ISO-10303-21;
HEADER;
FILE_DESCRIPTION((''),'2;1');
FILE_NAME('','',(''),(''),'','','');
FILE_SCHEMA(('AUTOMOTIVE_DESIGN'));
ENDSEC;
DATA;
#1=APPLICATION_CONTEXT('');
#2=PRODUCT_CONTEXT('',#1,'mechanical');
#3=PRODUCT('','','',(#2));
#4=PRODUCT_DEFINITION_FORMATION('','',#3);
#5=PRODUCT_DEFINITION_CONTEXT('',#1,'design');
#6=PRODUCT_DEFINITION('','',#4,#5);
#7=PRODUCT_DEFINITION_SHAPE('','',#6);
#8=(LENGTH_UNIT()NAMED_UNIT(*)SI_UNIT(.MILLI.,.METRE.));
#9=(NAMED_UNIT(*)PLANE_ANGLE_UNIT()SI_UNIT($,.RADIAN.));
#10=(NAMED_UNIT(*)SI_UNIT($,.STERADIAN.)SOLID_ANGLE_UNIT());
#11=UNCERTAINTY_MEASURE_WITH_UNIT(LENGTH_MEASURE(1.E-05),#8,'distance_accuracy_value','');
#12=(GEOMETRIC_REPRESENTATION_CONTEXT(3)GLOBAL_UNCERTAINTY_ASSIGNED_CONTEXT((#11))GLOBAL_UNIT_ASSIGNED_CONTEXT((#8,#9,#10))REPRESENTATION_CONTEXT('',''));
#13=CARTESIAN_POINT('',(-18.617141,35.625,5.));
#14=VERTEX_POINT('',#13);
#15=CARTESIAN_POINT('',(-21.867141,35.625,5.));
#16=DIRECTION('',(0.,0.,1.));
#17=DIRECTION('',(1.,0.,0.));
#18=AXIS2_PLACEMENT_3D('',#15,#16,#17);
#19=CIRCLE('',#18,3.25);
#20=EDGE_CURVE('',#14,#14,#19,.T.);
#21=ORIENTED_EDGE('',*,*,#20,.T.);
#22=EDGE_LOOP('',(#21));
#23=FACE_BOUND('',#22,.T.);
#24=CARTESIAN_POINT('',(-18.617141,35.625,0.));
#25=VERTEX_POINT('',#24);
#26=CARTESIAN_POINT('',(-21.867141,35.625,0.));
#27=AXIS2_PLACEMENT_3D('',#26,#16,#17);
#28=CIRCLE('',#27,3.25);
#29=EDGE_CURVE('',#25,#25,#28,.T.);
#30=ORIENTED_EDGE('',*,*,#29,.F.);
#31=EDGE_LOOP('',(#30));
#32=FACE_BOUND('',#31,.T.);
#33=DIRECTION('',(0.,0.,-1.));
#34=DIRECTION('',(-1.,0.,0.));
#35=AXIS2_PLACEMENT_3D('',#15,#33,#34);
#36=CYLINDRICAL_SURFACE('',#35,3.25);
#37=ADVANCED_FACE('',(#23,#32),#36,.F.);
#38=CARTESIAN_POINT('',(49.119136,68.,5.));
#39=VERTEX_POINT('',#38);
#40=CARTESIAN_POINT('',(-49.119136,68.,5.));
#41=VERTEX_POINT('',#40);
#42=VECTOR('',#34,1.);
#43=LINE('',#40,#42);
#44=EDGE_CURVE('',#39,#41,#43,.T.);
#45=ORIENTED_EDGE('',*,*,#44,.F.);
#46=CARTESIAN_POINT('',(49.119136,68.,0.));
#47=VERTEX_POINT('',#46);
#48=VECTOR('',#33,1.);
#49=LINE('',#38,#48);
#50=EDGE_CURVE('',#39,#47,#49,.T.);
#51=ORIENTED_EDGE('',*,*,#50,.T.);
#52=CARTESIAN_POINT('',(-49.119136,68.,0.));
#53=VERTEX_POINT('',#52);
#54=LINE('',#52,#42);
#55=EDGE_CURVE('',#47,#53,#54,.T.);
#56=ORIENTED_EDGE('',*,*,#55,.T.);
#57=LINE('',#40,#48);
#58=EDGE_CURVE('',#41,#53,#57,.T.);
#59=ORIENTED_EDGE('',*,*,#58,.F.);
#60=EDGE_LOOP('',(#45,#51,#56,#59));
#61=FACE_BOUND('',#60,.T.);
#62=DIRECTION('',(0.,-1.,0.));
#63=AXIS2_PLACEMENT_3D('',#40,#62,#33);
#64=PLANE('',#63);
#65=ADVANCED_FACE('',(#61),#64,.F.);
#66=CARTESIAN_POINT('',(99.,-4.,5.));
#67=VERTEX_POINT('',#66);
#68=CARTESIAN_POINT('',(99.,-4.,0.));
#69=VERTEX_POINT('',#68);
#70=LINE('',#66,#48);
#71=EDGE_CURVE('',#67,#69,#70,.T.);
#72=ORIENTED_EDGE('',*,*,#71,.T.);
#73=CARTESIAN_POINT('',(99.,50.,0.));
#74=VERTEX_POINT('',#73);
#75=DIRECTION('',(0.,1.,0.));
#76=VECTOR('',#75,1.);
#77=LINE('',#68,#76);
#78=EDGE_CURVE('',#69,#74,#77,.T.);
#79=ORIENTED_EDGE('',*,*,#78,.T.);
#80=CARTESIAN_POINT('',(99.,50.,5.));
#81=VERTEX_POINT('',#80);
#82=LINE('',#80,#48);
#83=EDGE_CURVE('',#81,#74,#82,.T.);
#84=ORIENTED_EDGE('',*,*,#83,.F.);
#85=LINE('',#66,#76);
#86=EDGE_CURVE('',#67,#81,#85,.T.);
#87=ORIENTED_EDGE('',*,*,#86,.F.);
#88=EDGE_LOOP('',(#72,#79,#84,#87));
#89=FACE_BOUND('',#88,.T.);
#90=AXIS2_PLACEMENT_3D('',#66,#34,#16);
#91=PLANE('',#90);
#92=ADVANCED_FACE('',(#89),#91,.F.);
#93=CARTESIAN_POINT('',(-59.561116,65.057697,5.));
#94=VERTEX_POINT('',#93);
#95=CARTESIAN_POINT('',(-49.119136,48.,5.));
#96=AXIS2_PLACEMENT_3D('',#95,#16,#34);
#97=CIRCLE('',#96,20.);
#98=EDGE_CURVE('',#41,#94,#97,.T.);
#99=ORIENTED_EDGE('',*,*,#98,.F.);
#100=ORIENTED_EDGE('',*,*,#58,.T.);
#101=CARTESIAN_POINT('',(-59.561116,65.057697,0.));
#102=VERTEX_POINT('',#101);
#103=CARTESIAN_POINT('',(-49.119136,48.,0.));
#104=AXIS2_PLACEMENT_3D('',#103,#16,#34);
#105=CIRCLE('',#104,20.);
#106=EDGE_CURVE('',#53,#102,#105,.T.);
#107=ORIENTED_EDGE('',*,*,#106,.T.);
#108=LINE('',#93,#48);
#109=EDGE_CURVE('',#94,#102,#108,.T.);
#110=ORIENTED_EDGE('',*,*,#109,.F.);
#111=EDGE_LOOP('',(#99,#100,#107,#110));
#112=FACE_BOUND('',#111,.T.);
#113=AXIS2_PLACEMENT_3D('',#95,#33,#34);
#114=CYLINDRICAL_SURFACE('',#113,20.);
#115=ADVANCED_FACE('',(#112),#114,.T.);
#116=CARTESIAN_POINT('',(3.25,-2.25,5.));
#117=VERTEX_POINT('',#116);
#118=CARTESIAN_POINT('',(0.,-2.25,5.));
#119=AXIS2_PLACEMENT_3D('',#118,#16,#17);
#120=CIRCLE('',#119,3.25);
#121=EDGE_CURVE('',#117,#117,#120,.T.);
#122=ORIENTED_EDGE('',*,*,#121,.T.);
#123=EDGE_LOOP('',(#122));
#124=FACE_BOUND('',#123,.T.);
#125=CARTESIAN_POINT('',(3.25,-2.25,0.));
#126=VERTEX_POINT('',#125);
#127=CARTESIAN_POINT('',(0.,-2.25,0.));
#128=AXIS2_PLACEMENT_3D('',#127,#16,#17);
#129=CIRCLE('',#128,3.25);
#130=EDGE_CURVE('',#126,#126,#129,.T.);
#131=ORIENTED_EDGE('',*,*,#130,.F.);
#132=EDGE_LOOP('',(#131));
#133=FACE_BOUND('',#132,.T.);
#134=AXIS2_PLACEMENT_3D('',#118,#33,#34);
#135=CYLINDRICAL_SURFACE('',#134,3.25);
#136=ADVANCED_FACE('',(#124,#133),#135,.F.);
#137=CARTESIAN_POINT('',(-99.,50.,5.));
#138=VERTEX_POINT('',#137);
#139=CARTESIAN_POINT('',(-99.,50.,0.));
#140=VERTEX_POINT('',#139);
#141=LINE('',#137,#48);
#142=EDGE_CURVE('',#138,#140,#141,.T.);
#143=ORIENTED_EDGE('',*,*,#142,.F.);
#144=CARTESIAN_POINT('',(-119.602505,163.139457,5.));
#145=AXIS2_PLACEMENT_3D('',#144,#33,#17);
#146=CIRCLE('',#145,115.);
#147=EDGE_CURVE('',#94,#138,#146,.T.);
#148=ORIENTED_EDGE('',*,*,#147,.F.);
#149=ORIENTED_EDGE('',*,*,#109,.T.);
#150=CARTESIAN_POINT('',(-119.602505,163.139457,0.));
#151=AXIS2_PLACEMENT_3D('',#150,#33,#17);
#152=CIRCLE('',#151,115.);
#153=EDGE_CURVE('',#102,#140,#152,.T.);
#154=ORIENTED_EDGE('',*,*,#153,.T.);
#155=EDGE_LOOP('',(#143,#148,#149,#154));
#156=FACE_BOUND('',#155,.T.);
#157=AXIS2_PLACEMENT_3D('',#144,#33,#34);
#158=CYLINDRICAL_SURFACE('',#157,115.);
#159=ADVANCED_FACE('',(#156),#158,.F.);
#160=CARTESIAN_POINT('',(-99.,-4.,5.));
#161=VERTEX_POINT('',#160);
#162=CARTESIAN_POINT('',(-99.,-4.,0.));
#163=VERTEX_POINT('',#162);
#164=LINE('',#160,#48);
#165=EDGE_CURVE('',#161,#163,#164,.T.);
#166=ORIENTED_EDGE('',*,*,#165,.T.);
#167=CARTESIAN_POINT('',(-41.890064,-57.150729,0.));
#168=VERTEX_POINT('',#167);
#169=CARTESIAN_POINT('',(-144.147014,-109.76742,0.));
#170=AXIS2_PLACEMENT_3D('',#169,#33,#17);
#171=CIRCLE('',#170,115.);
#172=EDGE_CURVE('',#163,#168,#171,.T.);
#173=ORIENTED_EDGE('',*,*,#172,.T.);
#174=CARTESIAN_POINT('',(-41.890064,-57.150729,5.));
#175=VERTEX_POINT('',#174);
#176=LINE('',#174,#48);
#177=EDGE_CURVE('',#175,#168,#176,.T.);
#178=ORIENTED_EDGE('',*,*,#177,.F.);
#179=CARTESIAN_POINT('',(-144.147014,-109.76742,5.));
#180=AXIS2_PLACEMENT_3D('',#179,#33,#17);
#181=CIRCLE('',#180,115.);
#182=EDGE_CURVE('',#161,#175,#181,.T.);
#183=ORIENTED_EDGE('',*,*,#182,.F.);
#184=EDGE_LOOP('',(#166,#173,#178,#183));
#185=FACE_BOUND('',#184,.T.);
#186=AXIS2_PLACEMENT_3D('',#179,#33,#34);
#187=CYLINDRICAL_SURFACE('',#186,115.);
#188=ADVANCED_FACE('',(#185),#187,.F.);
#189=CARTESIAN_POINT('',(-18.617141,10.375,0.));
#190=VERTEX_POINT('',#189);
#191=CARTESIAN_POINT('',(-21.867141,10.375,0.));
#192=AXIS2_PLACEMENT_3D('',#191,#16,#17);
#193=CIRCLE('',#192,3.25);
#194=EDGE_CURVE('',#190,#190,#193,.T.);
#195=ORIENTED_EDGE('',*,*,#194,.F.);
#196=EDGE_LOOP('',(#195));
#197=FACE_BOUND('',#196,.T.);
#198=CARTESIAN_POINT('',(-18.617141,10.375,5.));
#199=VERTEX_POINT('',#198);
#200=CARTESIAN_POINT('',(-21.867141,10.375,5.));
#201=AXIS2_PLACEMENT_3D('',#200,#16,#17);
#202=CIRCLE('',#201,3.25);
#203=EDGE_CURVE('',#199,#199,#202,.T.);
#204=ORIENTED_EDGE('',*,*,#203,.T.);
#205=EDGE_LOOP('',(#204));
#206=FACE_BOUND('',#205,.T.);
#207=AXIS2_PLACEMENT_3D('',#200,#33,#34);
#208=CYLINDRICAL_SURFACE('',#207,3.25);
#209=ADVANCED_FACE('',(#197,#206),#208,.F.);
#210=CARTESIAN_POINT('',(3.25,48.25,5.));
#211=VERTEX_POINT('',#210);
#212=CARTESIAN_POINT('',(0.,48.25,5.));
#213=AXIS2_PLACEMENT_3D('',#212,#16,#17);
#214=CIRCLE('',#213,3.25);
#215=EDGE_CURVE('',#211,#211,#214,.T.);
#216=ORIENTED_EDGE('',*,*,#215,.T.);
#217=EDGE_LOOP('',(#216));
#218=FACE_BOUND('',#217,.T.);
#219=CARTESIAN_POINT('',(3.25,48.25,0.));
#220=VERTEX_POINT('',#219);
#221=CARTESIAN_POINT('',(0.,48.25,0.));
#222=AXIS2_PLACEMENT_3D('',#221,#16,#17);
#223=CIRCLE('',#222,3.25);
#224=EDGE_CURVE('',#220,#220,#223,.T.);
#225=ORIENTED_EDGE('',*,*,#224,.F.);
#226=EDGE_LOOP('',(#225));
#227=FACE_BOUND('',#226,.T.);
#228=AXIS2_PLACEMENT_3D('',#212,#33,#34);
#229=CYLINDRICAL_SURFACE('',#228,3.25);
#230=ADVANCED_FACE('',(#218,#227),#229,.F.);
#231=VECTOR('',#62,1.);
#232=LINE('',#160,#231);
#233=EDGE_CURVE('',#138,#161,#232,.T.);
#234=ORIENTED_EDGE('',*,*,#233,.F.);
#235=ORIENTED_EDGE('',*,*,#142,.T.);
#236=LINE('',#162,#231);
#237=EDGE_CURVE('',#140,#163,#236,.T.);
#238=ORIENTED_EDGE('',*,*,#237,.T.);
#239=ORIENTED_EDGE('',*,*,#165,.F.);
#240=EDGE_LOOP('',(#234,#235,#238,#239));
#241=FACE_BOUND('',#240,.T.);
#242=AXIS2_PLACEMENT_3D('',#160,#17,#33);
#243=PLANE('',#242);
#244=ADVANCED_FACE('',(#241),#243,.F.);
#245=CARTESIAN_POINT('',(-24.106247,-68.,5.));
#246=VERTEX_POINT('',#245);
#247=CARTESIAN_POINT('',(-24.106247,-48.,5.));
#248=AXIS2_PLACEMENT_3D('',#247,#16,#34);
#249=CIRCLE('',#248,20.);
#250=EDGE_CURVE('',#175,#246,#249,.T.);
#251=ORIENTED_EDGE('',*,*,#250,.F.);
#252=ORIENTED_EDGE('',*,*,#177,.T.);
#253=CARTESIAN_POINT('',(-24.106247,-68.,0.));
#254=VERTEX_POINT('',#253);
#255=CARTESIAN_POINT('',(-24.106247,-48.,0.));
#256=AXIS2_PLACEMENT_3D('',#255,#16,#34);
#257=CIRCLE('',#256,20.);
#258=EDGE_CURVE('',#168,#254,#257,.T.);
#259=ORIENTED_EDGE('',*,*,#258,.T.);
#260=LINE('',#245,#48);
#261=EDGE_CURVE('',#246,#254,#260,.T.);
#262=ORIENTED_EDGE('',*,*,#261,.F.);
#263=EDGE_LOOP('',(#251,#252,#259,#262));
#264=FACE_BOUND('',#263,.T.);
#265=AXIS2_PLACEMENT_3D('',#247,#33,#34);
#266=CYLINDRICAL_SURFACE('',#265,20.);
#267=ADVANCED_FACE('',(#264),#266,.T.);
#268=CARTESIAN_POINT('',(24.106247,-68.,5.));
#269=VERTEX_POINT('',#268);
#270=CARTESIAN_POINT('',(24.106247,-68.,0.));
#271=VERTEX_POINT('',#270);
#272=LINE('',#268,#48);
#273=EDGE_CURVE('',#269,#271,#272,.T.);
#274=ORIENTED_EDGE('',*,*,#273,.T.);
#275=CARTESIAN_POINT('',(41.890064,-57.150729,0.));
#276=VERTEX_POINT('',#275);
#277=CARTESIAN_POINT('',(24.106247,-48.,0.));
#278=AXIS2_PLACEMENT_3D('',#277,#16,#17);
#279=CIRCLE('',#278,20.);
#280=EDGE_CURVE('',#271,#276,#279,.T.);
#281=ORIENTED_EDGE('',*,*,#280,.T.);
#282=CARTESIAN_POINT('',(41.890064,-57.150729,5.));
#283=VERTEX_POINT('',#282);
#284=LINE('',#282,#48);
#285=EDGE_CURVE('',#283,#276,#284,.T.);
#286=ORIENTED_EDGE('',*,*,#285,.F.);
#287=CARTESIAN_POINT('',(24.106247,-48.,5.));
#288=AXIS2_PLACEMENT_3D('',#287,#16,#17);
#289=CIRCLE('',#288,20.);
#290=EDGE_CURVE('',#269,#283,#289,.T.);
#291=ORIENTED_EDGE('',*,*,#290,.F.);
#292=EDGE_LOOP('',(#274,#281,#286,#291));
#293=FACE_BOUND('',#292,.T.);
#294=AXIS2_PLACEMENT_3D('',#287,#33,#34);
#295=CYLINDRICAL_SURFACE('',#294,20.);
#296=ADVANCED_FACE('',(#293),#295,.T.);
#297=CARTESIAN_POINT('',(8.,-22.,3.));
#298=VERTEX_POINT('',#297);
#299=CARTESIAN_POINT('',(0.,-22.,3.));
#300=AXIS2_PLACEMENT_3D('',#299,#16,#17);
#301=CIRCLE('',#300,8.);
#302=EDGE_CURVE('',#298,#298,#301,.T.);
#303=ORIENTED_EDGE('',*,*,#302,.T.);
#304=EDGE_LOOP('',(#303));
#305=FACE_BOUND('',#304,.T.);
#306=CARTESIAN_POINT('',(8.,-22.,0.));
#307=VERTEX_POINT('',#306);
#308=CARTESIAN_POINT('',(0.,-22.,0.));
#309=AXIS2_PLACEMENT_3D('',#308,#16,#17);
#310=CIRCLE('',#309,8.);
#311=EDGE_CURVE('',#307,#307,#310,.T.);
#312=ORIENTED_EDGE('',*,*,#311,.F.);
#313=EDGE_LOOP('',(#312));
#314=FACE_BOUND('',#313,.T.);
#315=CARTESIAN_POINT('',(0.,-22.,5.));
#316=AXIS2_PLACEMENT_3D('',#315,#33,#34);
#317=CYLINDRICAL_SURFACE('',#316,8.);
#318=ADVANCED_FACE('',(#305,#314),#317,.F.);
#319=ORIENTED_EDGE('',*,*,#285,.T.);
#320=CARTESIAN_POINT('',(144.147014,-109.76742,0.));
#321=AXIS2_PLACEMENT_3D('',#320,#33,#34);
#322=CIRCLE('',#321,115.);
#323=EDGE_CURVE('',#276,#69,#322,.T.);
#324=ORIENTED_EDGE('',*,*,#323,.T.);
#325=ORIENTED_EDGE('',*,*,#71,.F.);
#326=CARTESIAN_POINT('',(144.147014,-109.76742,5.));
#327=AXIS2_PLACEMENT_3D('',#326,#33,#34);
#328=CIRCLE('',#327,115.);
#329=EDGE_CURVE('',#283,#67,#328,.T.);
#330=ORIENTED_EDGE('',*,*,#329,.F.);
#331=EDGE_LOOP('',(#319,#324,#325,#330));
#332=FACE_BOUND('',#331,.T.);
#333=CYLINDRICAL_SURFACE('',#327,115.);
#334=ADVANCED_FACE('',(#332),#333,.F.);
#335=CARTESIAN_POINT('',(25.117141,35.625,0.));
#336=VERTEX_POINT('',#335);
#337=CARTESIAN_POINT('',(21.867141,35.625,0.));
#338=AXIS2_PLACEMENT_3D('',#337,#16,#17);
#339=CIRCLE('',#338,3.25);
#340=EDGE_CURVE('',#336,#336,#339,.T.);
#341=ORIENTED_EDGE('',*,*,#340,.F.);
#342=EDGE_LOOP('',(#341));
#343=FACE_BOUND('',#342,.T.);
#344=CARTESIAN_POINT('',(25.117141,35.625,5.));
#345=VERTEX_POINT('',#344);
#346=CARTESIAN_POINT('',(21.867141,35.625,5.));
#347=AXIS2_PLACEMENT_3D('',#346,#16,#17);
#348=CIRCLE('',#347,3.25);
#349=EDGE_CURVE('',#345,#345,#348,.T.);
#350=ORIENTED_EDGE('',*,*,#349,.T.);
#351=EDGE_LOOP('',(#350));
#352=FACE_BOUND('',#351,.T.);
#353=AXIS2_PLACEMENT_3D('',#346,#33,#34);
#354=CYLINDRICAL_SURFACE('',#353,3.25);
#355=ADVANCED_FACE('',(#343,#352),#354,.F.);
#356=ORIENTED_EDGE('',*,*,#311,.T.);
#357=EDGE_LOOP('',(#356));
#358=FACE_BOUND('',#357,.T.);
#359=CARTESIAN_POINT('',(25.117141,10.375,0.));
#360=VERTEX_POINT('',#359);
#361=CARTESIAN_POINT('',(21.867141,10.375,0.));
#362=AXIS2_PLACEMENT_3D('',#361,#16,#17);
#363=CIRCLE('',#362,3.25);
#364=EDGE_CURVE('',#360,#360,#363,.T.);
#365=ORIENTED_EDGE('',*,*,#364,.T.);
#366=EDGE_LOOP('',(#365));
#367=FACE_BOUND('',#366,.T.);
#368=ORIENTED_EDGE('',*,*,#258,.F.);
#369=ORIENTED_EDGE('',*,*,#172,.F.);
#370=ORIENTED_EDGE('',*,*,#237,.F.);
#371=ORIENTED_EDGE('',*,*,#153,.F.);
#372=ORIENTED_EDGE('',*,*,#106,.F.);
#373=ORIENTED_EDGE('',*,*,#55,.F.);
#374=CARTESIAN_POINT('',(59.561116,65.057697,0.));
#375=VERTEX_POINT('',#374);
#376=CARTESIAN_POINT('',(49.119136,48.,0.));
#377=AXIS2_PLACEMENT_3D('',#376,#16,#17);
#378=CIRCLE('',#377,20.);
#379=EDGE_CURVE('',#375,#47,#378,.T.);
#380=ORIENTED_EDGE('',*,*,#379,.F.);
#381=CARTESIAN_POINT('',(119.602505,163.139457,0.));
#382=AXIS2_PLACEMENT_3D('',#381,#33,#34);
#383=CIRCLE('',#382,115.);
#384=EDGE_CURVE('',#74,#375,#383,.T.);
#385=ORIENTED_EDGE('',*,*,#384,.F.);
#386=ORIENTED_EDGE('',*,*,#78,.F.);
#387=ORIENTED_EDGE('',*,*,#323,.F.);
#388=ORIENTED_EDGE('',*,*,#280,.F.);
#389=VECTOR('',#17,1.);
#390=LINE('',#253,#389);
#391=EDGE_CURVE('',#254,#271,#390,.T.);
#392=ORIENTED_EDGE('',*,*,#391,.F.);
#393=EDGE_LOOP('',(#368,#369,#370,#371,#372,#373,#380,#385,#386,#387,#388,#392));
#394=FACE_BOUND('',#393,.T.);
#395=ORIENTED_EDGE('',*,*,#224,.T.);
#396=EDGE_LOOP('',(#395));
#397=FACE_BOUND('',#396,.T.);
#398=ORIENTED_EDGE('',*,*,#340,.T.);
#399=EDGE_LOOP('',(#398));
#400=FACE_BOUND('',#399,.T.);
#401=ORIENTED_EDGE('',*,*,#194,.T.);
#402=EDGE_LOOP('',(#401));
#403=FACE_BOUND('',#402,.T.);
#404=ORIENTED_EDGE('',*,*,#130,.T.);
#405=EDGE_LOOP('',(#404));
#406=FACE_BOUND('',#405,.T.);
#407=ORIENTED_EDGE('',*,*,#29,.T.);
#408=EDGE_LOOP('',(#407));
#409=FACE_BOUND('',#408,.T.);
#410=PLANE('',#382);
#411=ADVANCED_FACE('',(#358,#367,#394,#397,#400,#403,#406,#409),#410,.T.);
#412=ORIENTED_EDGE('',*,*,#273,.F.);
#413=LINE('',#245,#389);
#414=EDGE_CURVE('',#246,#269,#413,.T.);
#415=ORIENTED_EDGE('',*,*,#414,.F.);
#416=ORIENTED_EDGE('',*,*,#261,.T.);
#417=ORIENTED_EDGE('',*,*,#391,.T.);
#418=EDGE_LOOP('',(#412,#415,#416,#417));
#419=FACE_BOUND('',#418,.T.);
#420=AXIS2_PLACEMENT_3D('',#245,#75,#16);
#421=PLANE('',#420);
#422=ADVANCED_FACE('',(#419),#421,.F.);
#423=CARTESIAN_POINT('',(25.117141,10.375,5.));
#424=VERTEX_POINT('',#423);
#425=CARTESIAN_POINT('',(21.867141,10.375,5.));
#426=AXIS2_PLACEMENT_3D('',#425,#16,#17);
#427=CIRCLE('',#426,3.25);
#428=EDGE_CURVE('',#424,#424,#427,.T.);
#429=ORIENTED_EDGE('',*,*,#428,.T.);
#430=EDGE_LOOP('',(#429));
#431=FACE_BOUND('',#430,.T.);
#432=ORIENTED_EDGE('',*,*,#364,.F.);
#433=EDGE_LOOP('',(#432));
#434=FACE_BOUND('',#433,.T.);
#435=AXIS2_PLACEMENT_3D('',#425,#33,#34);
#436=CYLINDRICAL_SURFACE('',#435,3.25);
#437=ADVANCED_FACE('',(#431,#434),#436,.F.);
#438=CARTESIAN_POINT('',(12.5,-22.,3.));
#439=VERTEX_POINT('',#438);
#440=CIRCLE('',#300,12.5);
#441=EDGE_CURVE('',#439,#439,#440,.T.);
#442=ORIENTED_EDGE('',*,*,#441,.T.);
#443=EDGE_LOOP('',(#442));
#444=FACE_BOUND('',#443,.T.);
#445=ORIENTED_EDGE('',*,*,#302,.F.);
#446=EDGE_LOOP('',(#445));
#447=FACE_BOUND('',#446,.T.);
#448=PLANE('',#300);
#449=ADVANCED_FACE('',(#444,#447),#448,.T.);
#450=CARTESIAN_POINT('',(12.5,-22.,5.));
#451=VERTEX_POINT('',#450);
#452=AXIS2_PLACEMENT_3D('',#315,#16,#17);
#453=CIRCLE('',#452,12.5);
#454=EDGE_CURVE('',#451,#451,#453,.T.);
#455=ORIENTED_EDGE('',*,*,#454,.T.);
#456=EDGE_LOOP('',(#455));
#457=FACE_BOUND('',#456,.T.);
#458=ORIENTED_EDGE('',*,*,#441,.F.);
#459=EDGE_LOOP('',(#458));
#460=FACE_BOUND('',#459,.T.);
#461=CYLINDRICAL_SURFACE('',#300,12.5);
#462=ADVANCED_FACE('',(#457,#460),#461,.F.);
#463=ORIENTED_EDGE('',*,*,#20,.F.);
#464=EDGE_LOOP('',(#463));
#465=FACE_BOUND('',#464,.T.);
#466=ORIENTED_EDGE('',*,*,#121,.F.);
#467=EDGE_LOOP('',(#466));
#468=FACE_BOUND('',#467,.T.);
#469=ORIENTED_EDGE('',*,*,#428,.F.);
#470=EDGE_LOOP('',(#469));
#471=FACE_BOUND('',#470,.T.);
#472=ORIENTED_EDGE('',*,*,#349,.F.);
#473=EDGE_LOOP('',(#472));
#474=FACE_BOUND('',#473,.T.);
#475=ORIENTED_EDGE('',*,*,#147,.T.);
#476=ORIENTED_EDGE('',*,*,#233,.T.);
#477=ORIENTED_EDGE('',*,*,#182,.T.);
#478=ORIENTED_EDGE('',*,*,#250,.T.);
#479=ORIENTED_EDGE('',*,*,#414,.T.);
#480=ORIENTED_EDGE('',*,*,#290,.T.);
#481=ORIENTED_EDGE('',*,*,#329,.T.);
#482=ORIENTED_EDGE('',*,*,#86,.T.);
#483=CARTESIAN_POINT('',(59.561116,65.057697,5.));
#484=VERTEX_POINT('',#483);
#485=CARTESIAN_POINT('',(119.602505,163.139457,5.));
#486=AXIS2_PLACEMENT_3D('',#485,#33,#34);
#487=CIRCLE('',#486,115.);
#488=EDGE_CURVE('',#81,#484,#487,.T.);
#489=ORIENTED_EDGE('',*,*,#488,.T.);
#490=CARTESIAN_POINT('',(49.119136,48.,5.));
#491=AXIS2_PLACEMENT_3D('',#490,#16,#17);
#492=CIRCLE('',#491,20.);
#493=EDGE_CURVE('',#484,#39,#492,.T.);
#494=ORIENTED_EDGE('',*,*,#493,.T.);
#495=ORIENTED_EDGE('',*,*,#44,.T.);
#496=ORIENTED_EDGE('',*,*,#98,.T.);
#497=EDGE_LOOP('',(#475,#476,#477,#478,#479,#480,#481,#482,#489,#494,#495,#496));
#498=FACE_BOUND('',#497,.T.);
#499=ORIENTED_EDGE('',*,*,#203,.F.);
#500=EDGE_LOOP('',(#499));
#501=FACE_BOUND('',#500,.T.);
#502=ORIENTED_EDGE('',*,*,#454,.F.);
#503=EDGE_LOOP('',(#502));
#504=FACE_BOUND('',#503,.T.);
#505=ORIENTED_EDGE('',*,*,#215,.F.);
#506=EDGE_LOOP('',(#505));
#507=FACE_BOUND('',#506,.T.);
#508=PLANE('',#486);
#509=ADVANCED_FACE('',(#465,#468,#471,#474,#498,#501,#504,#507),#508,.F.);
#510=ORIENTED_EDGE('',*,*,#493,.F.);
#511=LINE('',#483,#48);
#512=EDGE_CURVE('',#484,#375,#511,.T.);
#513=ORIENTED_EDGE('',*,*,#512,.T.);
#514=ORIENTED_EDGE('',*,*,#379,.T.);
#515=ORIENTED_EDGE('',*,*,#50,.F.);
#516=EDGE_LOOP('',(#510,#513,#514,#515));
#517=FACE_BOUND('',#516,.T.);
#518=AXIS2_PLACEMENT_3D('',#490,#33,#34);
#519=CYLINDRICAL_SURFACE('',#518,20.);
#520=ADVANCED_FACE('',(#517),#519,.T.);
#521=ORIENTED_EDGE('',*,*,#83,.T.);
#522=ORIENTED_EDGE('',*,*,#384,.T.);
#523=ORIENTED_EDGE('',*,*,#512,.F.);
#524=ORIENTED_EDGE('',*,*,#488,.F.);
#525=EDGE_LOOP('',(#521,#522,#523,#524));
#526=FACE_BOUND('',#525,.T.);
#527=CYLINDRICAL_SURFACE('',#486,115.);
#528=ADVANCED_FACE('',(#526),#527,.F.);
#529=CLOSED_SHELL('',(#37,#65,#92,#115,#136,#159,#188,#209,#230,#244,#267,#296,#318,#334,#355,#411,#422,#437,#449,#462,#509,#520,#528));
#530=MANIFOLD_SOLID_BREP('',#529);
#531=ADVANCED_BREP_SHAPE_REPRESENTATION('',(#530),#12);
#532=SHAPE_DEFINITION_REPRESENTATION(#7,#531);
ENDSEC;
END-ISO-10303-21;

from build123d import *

# Parameters (mm, degrees)
ESBO_O1_R                = 3.25
ESBO_O1_R_2              = 8
RESSALTO_EXTRUS_O1_DEPTH = 5
ESBO_O2_R                = 12.5
ESBO_O2_R_2              = 8
CORTE_EXTRUS_O1_DEPTH    = 2


with BuildPart() as part:
    # Esboço1 → Ressalto-extrusão1 (new body)
    with BuildSketch(Plane.XY):
        with BuildLine():
            Line((-49.119135606, 68), (49.119135606, 68))
            ThreePointArc((49.119135606, 68), (54.543435225, 67.250375935), (59.56111629, 65.057697365))
            ThreePointArc((59.56111629, 65.057697365), (78.583692726, 55.703629757), (99, 50))
            Line((99, 50), (99, -4))
            ThreePointArc((99, -4), (65.800143376, -25.584477196), (41.890064111, -57.150728877))
            ThreePointArc((41.890064111, -57.150728877), (34.522230169, -65.073584532), (24.106246719, -68))
            Line((24.106246719, -68), (-24.106246719, -68))
            ThreePointArc((-24.106246719, -68), (-34.522230169, -65.073584532), (-41.890064111, -57.150728877))
            ThreePointArc((-41.890064111, -57.150728877), (-65.800143376, -25.584477196), (-99, -4))
            Line((-99, -4), (-99, 50))
            ThreePointArc((-99, 50), (-78.583692726, 55.703629757), (-59.56111629, 65.057697365))
            ThreePointArc((-59.56111629, 65.057697365), (-54.543435225, 67.250375935), (-49.119135606, 68))
        make_face()
        with Locations((0, 48.25)):
            Circle(ESBO_O1_R, mode=Mode.SUBTRACT)
        with Locations((21.867141446, 35.625)):
            Circle(ESBO_O1_R, mode=Mode.SUBTRACT)
        with Locations((21.867141446, 10.375)):
            Circle(ESBO_O1_R, mode=Mode.SUBTRACT)
        with Locations((0, -2.25)):
            Circle(ESBO_O1_R, mode=Mode.SUBTRACT)
        with Locations((-21.867141446, 10.375)):
            Circle(ESBO_O1_R, mode=Mode.SUBTRACT)
        with Locations((-21.867141446, 35.625)):
            Circle(ESBO_O1_R, mode=Mode.SUBTRACT)
        with Locations((0, -22)):
            Circle(ESBO_O1_R_2, mode=Mode.SUBTRACT)
    extrude(amount=RESSALTO_EXTRUS_O1_DEPTH)

    # Esboço2 → Corte-extrusão1 (cut)
    with BuildSketch(Plane.XY.offset(5)):
        with Locations((0, -22)):
            Circle(ESBO_O2_R)
        with Locations((0, -22)):
            Circle(ESBO_O2_R_2, mode=Mode.SUBTRACT)
    extrude(amount=-CORTE_EXTRUS_O1_DEPTH, mode=Mode.SUBTRACT)


solid = part.part
